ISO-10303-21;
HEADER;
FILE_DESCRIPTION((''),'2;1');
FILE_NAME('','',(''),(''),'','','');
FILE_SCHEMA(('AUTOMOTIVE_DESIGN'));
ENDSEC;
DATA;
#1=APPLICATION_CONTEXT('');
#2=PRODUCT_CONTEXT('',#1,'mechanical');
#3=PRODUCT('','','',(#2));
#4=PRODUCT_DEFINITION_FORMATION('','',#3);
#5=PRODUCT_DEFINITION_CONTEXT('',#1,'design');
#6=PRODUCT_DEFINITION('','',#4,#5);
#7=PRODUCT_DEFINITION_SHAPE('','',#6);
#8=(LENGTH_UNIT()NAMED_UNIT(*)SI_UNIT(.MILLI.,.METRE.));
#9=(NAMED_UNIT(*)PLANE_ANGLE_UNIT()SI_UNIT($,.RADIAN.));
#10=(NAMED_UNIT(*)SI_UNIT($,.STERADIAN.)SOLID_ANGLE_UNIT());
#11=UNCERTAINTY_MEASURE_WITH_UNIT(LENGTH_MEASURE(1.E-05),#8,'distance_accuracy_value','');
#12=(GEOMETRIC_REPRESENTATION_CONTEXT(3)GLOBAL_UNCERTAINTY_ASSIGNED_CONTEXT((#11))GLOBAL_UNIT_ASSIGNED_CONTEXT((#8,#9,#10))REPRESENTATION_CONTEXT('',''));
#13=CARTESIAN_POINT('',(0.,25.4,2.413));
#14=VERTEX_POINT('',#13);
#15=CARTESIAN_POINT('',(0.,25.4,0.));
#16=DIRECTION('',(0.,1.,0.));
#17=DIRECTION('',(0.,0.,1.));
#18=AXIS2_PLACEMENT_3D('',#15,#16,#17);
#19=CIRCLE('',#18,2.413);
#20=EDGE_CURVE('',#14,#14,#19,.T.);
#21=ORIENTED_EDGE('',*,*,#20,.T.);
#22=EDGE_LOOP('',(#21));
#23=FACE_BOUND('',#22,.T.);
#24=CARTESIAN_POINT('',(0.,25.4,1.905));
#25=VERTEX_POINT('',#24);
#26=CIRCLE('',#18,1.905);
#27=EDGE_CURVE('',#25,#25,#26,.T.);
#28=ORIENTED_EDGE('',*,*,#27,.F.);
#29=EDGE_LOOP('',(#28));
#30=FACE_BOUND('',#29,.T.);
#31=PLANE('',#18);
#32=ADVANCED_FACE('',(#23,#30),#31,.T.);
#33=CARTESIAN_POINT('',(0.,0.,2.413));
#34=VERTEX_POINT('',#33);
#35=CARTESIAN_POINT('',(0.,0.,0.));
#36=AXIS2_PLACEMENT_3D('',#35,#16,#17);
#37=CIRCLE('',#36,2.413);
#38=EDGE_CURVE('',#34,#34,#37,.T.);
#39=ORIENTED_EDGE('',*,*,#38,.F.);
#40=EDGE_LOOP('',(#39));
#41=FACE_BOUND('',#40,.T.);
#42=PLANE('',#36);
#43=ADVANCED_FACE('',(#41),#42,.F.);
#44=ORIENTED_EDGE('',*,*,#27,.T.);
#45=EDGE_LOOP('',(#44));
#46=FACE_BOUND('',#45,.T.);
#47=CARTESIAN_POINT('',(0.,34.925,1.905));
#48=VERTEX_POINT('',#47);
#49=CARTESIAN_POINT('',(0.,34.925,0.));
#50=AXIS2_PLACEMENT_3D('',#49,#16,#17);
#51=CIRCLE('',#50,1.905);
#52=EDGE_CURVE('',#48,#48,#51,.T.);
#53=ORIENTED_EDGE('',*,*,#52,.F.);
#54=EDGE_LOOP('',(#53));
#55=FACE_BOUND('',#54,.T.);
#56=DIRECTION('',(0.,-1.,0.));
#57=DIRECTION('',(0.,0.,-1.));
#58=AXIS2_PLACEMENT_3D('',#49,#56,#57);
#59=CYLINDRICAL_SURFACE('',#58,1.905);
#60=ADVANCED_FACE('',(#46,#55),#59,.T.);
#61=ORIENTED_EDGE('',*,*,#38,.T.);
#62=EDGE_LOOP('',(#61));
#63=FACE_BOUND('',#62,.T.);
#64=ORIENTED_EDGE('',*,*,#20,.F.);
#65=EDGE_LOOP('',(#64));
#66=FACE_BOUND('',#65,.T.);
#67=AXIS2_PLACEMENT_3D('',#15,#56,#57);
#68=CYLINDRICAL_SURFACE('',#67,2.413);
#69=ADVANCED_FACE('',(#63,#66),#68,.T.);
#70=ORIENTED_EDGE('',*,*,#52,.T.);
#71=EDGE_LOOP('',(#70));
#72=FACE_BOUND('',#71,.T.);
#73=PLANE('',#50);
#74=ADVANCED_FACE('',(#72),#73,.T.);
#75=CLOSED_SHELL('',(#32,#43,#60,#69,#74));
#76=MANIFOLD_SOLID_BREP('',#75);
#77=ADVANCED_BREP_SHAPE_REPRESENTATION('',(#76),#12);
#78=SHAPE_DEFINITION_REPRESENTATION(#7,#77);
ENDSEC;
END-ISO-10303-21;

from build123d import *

# Parameters (mm, degrees)
SKETCH1_R           = 2.413
BOSS_EXTRUDE1_DEPTH = 25.4
SKETCH2_R           = 1.905
BOSS_EXTRUDE2_DEPTH = 9.525


with BuildPart() as part:
    # Sketch1 → Boss-Extrude1 (new body)
    with BuildSketch(Plane(origin=(0, 0, 0), x_dir=(1, 0, 0), z_dir=(0, 1, 0))):
        Circle(SKETCH1_R)
    extrude(amount=BOSS_EXTRUDE1_DEPTH)

    # Sketch2 → Boss-Extrude2 (add)
    with BuildSketch(Plane(origin=(0, 25.4, 0), x_dir=(1, 0, 0), z_dir=(0, 1, 0))):
        Circle(SKETCH2_R)
    extrude(amount=BOSS_EXTRUDE2_DEPTH)


solid = part.part
